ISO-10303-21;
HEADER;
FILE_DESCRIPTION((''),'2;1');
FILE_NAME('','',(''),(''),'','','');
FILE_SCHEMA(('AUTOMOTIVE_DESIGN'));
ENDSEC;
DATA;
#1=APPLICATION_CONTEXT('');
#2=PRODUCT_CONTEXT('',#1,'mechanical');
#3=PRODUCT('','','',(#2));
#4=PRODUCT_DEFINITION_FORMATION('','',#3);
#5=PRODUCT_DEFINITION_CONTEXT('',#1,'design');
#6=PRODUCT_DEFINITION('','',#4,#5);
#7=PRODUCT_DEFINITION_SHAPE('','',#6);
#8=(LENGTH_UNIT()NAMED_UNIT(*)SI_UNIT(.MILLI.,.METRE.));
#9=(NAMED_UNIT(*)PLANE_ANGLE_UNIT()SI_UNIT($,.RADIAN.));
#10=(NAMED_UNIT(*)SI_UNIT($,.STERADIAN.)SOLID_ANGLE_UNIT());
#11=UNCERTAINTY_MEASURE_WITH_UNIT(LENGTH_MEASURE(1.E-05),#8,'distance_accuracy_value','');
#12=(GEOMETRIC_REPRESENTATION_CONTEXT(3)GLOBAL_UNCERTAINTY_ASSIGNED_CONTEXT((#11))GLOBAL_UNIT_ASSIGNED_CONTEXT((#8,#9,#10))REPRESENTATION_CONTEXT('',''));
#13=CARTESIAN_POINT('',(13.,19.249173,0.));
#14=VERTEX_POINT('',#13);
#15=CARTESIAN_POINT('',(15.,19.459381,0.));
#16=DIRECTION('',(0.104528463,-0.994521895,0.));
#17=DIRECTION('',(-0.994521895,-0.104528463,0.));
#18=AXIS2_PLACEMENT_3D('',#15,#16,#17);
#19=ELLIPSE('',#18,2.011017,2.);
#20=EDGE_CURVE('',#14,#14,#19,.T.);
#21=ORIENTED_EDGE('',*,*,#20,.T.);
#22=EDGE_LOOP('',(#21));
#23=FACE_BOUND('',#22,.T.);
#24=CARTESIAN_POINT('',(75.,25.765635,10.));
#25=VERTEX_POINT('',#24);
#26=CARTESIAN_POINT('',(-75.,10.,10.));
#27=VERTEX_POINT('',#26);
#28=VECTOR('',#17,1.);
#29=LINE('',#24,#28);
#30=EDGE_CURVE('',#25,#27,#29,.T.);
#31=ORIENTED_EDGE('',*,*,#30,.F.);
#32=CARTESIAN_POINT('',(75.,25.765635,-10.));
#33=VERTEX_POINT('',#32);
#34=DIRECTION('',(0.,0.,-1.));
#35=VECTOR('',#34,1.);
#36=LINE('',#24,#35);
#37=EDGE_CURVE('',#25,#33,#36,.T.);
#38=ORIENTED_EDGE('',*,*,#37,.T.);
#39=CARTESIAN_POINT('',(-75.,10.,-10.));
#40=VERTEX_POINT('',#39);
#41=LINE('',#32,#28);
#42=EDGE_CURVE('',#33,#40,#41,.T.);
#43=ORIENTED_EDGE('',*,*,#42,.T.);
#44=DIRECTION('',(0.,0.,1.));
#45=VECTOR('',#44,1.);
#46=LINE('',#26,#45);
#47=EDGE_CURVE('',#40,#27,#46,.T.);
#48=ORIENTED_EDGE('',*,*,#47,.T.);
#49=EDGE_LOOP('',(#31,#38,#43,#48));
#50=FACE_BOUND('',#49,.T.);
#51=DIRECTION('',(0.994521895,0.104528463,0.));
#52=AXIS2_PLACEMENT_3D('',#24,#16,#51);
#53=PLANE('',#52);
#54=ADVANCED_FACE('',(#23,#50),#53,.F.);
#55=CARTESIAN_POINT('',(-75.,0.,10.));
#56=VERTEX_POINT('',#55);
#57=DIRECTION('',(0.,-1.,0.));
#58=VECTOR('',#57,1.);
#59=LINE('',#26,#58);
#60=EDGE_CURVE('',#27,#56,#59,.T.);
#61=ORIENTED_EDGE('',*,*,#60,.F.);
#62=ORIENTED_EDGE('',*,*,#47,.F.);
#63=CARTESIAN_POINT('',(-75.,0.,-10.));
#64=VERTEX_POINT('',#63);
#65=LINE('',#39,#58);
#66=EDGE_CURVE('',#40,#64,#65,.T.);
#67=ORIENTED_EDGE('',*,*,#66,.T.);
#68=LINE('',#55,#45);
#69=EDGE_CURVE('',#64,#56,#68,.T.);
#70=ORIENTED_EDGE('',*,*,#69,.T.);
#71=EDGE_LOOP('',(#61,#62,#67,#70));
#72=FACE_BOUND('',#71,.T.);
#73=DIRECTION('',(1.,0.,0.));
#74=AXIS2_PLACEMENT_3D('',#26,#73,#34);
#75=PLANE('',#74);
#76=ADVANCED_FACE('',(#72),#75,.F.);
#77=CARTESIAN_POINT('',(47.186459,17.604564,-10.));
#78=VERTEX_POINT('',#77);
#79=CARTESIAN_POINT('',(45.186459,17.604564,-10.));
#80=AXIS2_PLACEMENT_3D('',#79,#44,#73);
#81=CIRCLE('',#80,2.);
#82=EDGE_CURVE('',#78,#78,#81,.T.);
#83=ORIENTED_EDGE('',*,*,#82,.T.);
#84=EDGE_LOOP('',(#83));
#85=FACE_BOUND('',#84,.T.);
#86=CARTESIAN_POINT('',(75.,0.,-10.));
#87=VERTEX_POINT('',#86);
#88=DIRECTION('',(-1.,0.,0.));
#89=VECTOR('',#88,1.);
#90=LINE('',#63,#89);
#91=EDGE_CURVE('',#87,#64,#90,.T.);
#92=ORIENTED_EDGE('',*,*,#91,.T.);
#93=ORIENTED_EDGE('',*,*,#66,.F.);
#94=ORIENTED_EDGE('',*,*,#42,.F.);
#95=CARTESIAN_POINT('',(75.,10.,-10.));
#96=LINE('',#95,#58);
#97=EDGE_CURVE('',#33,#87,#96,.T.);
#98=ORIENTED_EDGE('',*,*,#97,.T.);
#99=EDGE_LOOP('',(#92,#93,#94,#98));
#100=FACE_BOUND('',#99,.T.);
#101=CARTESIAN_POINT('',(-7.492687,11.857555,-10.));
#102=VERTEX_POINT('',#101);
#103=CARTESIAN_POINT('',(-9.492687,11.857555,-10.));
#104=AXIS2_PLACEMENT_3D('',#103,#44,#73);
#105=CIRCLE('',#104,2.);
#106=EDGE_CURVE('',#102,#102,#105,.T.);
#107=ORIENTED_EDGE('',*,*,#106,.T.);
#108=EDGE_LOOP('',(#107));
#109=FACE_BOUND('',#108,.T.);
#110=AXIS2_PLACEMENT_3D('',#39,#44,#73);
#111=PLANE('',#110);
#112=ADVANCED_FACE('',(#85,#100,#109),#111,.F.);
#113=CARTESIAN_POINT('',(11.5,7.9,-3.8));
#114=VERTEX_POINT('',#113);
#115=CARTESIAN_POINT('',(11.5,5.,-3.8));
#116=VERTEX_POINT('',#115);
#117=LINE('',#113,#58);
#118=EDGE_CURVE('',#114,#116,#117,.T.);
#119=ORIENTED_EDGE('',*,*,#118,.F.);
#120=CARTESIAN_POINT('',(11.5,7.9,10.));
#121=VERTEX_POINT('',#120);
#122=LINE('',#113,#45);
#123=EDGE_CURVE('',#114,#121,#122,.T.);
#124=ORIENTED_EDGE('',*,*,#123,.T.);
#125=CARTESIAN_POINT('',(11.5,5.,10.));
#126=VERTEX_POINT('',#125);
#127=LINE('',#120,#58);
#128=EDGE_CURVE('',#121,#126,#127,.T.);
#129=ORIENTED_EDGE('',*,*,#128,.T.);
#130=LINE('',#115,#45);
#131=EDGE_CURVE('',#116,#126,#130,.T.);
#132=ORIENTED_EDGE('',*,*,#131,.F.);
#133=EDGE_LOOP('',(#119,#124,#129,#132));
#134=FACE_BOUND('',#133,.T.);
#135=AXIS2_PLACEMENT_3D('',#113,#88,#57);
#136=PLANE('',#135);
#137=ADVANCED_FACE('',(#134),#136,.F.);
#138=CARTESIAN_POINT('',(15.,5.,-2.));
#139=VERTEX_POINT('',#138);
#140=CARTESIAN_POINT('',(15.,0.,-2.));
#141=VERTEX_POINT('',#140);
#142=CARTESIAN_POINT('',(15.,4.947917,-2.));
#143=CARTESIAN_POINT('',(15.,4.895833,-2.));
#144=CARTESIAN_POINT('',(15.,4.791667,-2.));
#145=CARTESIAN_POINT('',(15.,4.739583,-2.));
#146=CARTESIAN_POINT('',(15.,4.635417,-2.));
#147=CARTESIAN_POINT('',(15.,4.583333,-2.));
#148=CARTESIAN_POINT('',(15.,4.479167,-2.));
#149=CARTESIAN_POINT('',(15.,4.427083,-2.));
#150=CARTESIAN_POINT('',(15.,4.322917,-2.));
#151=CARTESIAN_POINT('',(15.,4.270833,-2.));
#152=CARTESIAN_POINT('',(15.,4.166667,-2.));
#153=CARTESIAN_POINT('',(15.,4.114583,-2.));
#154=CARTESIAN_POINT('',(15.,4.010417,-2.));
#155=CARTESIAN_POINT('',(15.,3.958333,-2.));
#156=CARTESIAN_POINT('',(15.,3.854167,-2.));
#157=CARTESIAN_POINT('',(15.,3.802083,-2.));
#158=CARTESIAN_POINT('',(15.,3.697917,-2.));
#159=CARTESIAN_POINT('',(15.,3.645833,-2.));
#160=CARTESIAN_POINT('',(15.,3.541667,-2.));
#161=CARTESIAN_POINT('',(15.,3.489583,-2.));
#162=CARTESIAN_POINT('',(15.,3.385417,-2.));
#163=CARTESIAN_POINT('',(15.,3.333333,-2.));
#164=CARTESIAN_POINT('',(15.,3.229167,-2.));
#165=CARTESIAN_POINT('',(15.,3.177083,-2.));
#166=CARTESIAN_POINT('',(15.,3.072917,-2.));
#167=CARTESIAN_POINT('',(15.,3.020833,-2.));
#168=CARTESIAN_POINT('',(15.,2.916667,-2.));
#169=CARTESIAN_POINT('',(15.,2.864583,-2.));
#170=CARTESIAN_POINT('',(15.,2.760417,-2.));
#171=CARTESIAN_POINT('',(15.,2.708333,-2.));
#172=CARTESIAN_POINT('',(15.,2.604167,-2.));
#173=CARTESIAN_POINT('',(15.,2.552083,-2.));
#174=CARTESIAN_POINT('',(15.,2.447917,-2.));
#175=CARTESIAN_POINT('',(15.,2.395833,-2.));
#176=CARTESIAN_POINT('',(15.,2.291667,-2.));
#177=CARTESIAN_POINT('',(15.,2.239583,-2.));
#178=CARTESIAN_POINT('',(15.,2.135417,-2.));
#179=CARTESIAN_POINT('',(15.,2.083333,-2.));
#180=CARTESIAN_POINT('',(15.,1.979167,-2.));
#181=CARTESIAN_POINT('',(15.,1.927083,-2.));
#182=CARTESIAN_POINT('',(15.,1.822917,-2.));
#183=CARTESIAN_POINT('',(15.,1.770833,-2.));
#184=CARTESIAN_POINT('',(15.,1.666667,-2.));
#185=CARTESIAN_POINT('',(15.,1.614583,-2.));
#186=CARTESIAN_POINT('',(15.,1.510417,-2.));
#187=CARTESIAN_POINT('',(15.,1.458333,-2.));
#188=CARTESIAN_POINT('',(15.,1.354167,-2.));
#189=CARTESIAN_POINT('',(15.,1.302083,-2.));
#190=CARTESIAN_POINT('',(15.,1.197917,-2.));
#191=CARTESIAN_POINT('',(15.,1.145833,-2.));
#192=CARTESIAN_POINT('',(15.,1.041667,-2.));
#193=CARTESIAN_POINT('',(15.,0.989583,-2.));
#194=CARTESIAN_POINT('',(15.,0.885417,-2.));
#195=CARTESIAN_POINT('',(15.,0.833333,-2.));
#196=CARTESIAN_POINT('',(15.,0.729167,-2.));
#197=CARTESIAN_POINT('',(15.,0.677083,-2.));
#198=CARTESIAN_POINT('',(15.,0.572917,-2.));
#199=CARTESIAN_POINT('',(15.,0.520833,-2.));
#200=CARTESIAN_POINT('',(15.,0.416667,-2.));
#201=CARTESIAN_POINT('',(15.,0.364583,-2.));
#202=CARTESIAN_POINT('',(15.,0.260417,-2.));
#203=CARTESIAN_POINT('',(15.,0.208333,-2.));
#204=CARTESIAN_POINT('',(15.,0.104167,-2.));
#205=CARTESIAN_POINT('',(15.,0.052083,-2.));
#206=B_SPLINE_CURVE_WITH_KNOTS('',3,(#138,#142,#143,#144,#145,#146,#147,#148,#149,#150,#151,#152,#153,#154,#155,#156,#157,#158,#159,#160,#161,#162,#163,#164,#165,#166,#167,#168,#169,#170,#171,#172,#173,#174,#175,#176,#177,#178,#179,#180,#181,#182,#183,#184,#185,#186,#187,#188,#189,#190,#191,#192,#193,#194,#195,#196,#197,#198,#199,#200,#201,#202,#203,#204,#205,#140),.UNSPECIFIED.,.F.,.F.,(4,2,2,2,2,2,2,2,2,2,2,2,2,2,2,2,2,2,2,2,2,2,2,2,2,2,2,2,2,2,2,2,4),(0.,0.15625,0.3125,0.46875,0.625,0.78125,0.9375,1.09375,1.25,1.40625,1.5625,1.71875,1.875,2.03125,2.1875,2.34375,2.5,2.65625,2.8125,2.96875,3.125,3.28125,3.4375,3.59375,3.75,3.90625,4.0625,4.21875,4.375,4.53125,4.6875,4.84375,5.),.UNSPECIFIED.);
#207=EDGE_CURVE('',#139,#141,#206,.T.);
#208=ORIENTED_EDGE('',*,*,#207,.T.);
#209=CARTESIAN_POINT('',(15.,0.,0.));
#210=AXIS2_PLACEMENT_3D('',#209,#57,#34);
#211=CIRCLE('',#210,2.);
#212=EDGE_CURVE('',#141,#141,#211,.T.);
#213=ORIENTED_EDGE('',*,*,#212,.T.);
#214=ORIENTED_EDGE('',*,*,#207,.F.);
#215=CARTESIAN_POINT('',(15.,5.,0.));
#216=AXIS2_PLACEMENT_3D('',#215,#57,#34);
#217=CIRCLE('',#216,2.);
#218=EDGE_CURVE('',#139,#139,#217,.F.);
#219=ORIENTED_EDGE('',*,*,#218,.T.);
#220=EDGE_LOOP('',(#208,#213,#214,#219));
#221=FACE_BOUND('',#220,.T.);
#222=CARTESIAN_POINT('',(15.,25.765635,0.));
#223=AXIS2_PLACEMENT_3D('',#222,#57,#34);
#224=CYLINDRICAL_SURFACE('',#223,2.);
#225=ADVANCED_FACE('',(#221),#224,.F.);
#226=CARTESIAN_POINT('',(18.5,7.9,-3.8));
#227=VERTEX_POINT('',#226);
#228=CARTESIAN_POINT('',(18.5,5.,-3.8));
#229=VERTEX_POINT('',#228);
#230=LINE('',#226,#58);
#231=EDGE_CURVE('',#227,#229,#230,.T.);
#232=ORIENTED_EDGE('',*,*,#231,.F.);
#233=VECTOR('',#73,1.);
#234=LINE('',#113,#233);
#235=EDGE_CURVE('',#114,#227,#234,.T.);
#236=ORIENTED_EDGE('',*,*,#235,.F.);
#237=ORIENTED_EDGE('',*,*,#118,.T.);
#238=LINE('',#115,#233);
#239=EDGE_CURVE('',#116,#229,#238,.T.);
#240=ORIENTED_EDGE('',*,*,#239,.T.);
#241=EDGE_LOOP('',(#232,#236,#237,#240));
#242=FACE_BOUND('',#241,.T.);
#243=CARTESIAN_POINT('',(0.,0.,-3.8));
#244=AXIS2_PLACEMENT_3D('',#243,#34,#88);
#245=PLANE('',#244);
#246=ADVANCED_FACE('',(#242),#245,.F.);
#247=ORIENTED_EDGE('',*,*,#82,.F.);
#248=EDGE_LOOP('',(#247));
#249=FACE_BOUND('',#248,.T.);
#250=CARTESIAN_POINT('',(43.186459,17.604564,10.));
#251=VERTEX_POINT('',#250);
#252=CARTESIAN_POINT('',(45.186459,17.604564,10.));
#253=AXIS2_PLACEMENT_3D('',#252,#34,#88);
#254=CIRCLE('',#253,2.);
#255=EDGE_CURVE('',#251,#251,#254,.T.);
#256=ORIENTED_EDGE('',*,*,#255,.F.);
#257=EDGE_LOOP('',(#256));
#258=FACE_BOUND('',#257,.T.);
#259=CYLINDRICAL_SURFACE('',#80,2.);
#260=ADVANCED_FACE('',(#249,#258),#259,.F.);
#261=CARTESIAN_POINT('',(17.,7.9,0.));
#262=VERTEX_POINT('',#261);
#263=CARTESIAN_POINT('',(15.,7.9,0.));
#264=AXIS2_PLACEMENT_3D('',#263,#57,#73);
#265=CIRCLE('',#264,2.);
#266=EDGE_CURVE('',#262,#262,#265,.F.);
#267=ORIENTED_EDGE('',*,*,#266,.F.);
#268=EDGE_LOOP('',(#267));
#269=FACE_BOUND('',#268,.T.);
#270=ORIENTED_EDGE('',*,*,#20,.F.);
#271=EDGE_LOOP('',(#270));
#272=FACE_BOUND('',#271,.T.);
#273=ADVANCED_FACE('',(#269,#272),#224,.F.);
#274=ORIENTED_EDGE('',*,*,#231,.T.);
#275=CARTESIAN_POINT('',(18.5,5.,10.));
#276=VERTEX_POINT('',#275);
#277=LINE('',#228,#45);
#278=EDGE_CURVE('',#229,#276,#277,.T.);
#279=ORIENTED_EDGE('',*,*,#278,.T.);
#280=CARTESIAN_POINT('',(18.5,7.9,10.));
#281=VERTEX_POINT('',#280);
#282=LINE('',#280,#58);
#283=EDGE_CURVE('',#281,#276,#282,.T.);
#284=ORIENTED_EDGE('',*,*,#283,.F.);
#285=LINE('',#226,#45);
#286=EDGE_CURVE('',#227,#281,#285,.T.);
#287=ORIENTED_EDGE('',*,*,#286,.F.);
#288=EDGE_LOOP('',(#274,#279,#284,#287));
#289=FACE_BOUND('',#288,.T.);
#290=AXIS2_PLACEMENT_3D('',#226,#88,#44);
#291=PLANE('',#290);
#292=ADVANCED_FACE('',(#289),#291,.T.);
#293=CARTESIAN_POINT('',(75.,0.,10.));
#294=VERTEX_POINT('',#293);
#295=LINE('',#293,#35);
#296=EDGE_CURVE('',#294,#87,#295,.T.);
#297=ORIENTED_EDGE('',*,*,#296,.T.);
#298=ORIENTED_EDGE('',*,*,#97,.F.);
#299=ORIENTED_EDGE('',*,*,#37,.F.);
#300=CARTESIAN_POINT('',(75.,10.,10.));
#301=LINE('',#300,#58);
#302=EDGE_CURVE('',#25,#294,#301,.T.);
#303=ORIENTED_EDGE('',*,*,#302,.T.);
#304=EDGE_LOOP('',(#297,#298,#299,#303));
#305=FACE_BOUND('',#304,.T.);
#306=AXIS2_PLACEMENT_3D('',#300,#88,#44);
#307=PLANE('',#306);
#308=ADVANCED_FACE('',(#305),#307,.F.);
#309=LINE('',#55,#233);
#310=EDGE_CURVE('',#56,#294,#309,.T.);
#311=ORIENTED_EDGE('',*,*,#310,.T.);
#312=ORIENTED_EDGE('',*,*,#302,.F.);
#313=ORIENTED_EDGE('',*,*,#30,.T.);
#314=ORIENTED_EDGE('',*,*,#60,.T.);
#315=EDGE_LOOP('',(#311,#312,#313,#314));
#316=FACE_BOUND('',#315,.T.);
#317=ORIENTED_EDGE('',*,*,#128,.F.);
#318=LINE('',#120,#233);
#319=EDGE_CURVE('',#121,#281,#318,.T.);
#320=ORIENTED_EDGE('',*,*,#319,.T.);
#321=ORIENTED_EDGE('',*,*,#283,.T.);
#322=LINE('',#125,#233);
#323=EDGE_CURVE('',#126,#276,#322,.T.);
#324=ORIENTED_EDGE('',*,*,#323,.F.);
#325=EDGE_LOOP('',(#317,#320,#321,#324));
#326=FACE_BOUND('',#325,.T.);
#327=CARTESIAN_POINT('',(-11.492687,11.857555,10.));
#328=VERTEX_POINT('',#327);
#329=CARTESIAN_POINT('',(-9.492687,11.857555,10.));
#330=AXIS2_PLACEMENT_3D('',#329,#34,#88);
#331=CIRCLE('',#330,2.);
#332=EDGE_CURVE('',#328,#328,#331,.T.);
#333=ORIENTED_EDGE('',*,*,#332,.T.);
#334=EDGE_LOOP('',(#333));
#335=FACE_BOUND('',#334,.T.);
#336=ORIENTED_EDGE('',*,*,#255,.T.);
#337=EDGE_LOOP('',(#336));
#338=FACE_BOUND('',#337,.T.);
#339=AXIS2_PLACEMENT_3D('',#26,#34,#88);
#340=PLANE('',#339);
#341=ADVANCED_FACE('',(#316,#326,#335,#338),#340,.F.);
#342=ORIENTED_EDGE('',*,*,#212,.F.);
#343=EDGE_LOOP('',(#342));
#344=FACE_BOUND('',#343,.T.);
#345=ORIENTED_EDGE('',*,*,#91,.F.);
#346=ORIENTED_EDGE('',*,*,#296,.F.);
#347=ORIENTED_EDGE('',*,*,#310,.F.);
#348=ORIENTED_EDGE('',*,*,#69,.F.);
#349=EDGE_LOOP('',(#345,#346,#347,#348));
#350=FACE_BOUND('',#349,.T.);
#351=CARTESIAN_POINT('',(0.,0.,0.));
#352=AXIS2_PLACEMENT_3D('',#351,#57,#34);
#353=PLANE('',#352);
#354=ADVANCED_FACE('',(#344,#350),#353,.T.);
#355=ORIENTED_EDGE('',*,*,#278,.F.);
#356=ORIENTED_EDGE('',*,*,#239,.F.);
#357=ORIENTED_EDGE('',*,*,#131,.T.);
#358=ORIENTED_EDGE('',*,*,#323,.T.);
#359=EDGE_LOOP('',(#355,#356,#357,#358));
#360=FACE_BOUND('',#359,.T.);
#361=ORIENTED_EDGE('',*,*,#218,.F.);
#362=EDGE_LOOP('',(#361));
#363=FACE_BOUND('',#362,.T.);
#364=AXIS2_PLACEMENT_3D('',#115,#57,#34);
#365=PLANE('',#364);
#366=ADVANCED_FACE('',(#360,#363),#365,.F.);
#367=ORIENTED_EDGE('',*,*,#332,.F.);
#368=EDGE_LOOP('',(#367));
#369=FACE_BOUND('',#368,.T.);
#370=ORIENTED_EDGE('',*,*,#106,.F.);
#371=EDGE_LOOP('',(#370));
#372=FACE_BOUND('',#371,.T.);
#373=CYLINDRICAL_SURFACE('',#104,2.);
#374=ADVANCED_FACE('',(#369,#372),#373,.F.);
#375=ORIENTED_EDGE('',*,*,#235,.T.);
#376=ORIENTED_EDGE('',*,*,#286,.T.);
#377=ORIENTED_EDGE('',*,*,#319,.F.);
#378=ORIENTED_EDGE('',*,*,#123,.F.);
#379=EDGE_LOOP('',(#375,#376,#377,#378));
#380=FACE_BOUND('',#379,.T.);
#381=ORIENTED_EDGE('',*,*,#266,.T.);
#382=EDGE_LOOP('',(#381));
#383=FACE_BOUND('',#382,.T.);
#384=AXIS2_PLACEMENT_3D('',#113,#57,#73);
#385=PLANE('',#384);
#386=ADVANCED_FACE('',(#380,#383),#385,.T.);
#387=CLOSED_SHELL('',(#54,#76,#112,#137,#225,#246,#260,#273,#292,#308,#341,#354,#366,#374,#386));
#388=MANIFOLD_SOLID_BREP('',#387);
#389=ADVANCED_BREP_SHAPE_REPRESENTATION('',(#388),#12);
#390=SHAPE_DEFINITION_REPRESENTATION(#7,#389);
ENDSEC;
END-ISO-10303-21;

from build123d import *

# Parameters (mm, degrees)
SKETCH1_W               = 150
SKETCH1_H               = 20
BOSS_EXTRUDE1_DEPTH     = 10
BOSS_EXTRUDE2_DEPTH     = 10
CUT_EXTRUDE1_DEPTH      = 80.930394481
CUT_EXTRUDE1_DEPTH_BACK = 80.930394481
SKETCH3_R               = 2
SKETCH4_W               = 7
SKETCH4_H               = 2.9
CUT_EXTRUDE2_DEPTH      = 13.8
CUT_EXTRUDE3_DEPTH      = 82.785499704
CUT_EXTRUDE3_DEPTH_BACK = 82.785499704
SKETCH4_3_R             = 2


with BuildPart() as part:
    # Sketch1 → Boss-Extrude1 (new body)
    with BuildSketch(Plane(origin=(0, 0, 0), x_dir=(1, 0, 0), z_dir=(0, 1, 0))):
        Rectangle(SKETCH1_W, SKETCH1_H)
    extrude(amount=BOSS_EXTRUDE1_DEPTH)

    # Sketch2 → Boss-Extrude2 (add, symmetric)
    with BuildSketch(Plane.XY):
        Polygon((-75, 10), (75, 10), (75, 25.76563529), align=None)
    extrude(amount=BOSS_EXTRUDE2_DEPTH, both=True)

    # Sketch3 → Cut-Extrude1 (cut, two sides: drawn at the far end of the back side and taken through both)
    with BuildSketch(Plane.XZ.offset(-CUT_EXTRUDE1_DEPTH_BACK)):
        with Locations((15, 0)):
            Circle(SKETCH3_R)
    extrude(amount=CUT_EXTRUDE1_DEPTH + CUT_EXTRUDE1_DEPTH_BACK, mode=Mode.SUBTRACT)

    # Sketch4 → Cut-Extrude2 (cut)
    with BuildSketch(Plane.XY.offset(10)):
        with Locations((15, 6.45)):
            Rectangle(SKETCH4_W, SKETCH4_H)
    extrude(amount=-CUT_EXTRUDE2_DEPTH, mode=Mode.SUBTRACT)

    # Sketch4<3> → Cut-Extrude3 (cut, two sides: drawn at the far end of the back side and taken through both)
    with BuildSketch(Plane.XY.offset(10).offset(-CUT_EXTRUDE3_DEPTH_BACK)):
        with Locations((-9.492687022, 11.857554637)):
            Circle(SKETCH4_3_R)
        with Locations((45.186458968, 17.604564461)):
            Circle(SKETCH4_3_R)
    extrude(amount=CUT_EXTRUDE3_DEPTH + CUT_EXTRUDE3_DEPTH_BACK, mode=Mode.SUBTRACT)


solid = part.part
